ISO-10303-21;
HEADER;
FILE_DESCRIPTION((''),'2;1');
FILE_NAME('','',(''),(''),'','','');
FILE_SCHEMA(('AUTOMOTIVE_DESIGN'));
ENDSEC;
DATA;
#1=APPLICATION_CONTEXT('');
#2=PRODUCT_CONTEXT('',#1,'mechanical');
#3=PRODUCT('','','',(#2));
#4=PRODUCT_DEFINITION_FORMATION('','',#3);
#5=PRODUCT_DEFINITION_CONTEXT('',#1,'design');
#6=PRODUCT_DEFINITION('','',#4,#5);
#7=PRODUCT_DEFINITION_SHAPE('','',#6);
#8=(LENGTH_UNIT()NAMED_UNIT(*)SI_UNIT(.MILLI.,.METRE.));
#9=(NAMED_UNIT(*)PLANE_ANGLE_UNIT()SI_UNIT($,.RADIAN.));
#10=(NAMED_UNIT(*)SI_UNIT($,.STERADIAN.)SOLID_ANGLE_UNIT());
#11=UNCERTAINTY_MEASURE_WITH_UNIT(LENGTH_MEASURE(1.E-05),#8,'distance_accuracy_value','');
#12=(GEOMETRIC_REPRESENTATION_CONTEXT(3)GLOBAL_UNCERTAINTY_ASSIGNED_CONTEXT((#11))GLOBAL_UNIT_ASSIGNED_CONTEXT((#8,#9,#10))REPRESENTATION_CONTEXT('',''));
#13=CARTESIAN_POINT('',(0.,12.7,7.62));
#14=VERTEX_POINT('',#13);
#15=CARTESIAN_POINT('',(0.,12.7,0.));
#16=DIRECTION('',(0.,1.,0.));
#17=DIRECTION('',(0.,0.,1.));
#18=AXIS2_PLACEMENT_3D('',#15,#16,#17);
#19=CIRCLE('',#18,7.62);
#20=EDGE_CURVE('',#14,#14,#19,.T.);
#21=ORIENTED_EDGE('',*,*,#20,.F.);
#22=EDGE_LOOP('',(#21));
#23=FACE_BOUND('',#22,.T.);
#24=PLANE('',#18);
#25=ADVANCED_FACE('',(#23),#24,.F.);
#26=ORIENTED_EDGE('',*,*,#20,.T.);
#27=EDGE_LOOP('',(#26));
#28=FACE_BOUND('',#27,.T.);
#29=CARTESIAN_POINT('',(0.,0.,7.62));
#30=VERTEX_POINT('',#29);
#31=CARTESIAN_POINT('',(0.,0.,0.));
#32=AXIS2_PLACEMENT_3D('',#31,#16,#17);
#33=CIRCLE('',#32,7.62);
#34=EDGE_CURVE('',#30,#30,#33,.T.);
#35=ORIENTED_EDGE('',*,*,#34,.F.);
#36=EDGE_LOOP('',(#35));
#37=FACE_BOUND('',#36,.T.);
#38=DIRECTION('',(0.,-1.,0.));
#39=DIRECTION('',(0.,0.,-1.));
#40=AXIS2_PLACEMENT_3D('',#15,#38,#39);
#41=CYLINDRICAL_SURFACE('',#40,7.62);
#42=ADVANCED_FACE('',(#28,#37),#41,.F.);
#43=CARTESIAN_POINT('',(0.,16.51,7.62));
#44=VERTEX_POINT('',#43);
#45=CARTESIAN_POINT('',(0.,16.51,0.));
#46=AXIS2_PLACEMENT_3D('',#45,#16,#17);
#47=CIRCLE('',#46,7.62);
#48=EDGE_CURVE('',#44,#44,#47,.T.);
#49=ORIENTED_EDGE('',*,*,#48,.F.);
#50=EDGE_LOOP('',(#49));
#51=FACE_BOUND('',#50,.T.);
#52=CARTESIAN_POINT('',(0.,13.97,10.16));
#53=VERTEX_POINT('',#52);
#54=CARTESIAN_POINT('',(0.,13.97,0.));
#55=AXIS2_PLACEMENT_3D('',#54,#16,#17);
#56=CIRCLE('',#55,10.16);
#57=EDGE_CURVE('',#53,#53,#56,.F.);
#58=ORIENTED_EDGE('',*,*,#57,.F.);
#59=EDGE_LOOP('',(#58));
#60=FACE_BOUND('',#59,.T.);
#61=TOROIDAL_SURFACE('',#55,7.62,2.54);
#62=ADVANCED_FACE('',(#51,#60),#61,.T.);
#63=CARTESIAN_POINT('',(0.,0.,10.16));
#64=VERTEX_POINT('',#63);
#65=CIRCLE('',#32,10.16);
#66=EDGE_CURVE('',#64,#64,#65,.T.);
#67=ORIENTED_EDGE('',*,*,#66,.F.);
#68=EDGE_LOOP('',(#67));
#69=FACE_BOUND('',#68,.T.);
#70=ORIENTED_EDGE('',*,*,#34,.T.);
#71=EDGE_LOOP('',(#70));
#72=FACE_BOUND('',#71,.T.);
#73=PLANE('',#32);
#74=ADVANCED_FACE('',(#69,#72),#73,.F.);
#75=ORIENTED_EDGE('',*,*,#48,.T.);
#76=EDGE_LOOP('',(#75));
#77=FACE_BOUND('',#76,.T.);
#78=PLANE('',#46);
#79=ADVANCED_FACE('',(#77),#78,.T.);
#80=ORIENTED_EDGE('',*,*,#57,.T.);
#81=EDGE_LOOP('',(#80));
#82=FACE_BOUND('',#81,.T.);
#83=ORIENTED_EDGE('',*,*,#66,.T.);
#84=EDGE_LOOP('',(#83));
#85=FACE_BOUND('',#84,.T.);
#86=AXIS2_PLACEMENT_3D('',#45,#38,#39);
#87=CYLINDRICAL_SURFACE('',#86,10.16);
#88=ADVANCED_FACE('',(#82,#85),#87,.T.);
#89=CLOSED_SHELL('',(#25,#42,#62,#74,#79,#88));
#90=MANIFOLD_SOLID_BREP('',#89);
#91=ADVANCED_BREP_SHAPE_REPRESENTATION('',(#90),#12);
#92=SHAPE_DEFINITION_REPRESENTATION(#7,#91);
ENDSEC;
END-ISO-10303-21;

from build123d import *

# Parameters (mm, degrees)
SKETCH1_R           = 10.16
BOSS_EXTRUDE2_DEPTH = 16.51
SKETCH2_R           = 7.62
CUT_EXTRUDE1_DEPTH  = 12.7
FILLET2_R           = 2.54


with BuildPart() as part:
    # Sketch1 → Boss-Extrude2 (new body)
    with BuildSketch(Plane(origin=(0, 0, 0), x_dir=(1, 0, 0), z_dir=(0, 1, 0))):
        with Locations(Location((0, 0, 0), (0, 0, 270))):
            Circle(SKETCH1_R)
    extrude(amount=BOSS_EXTRUDE2_DEPTH)

    # Sketch2 → Cut-Extrude1 (cut)
    with BuildSketch(Plane(origin=(0, 0, 0), x_dir=(1, 0, 0), z_dir=(0, 1, 0))):
        with Locations(Location((0, 0, 0), (0, 0, 270))):
            Circle(SKETCH2_R)
    extrude(amount=CUT_EXTRUDE1_DEPTH, mode=Mode.SUBTRACT)

    # Fillet2
    fillet2_edges = [part.edges().sort_by_distance(p)[0] for p in [
        (0, 16.51, -10.16),
    ]]
    fillet(fillet2_edges, radius=FILLET2_R)


solid = part.part
